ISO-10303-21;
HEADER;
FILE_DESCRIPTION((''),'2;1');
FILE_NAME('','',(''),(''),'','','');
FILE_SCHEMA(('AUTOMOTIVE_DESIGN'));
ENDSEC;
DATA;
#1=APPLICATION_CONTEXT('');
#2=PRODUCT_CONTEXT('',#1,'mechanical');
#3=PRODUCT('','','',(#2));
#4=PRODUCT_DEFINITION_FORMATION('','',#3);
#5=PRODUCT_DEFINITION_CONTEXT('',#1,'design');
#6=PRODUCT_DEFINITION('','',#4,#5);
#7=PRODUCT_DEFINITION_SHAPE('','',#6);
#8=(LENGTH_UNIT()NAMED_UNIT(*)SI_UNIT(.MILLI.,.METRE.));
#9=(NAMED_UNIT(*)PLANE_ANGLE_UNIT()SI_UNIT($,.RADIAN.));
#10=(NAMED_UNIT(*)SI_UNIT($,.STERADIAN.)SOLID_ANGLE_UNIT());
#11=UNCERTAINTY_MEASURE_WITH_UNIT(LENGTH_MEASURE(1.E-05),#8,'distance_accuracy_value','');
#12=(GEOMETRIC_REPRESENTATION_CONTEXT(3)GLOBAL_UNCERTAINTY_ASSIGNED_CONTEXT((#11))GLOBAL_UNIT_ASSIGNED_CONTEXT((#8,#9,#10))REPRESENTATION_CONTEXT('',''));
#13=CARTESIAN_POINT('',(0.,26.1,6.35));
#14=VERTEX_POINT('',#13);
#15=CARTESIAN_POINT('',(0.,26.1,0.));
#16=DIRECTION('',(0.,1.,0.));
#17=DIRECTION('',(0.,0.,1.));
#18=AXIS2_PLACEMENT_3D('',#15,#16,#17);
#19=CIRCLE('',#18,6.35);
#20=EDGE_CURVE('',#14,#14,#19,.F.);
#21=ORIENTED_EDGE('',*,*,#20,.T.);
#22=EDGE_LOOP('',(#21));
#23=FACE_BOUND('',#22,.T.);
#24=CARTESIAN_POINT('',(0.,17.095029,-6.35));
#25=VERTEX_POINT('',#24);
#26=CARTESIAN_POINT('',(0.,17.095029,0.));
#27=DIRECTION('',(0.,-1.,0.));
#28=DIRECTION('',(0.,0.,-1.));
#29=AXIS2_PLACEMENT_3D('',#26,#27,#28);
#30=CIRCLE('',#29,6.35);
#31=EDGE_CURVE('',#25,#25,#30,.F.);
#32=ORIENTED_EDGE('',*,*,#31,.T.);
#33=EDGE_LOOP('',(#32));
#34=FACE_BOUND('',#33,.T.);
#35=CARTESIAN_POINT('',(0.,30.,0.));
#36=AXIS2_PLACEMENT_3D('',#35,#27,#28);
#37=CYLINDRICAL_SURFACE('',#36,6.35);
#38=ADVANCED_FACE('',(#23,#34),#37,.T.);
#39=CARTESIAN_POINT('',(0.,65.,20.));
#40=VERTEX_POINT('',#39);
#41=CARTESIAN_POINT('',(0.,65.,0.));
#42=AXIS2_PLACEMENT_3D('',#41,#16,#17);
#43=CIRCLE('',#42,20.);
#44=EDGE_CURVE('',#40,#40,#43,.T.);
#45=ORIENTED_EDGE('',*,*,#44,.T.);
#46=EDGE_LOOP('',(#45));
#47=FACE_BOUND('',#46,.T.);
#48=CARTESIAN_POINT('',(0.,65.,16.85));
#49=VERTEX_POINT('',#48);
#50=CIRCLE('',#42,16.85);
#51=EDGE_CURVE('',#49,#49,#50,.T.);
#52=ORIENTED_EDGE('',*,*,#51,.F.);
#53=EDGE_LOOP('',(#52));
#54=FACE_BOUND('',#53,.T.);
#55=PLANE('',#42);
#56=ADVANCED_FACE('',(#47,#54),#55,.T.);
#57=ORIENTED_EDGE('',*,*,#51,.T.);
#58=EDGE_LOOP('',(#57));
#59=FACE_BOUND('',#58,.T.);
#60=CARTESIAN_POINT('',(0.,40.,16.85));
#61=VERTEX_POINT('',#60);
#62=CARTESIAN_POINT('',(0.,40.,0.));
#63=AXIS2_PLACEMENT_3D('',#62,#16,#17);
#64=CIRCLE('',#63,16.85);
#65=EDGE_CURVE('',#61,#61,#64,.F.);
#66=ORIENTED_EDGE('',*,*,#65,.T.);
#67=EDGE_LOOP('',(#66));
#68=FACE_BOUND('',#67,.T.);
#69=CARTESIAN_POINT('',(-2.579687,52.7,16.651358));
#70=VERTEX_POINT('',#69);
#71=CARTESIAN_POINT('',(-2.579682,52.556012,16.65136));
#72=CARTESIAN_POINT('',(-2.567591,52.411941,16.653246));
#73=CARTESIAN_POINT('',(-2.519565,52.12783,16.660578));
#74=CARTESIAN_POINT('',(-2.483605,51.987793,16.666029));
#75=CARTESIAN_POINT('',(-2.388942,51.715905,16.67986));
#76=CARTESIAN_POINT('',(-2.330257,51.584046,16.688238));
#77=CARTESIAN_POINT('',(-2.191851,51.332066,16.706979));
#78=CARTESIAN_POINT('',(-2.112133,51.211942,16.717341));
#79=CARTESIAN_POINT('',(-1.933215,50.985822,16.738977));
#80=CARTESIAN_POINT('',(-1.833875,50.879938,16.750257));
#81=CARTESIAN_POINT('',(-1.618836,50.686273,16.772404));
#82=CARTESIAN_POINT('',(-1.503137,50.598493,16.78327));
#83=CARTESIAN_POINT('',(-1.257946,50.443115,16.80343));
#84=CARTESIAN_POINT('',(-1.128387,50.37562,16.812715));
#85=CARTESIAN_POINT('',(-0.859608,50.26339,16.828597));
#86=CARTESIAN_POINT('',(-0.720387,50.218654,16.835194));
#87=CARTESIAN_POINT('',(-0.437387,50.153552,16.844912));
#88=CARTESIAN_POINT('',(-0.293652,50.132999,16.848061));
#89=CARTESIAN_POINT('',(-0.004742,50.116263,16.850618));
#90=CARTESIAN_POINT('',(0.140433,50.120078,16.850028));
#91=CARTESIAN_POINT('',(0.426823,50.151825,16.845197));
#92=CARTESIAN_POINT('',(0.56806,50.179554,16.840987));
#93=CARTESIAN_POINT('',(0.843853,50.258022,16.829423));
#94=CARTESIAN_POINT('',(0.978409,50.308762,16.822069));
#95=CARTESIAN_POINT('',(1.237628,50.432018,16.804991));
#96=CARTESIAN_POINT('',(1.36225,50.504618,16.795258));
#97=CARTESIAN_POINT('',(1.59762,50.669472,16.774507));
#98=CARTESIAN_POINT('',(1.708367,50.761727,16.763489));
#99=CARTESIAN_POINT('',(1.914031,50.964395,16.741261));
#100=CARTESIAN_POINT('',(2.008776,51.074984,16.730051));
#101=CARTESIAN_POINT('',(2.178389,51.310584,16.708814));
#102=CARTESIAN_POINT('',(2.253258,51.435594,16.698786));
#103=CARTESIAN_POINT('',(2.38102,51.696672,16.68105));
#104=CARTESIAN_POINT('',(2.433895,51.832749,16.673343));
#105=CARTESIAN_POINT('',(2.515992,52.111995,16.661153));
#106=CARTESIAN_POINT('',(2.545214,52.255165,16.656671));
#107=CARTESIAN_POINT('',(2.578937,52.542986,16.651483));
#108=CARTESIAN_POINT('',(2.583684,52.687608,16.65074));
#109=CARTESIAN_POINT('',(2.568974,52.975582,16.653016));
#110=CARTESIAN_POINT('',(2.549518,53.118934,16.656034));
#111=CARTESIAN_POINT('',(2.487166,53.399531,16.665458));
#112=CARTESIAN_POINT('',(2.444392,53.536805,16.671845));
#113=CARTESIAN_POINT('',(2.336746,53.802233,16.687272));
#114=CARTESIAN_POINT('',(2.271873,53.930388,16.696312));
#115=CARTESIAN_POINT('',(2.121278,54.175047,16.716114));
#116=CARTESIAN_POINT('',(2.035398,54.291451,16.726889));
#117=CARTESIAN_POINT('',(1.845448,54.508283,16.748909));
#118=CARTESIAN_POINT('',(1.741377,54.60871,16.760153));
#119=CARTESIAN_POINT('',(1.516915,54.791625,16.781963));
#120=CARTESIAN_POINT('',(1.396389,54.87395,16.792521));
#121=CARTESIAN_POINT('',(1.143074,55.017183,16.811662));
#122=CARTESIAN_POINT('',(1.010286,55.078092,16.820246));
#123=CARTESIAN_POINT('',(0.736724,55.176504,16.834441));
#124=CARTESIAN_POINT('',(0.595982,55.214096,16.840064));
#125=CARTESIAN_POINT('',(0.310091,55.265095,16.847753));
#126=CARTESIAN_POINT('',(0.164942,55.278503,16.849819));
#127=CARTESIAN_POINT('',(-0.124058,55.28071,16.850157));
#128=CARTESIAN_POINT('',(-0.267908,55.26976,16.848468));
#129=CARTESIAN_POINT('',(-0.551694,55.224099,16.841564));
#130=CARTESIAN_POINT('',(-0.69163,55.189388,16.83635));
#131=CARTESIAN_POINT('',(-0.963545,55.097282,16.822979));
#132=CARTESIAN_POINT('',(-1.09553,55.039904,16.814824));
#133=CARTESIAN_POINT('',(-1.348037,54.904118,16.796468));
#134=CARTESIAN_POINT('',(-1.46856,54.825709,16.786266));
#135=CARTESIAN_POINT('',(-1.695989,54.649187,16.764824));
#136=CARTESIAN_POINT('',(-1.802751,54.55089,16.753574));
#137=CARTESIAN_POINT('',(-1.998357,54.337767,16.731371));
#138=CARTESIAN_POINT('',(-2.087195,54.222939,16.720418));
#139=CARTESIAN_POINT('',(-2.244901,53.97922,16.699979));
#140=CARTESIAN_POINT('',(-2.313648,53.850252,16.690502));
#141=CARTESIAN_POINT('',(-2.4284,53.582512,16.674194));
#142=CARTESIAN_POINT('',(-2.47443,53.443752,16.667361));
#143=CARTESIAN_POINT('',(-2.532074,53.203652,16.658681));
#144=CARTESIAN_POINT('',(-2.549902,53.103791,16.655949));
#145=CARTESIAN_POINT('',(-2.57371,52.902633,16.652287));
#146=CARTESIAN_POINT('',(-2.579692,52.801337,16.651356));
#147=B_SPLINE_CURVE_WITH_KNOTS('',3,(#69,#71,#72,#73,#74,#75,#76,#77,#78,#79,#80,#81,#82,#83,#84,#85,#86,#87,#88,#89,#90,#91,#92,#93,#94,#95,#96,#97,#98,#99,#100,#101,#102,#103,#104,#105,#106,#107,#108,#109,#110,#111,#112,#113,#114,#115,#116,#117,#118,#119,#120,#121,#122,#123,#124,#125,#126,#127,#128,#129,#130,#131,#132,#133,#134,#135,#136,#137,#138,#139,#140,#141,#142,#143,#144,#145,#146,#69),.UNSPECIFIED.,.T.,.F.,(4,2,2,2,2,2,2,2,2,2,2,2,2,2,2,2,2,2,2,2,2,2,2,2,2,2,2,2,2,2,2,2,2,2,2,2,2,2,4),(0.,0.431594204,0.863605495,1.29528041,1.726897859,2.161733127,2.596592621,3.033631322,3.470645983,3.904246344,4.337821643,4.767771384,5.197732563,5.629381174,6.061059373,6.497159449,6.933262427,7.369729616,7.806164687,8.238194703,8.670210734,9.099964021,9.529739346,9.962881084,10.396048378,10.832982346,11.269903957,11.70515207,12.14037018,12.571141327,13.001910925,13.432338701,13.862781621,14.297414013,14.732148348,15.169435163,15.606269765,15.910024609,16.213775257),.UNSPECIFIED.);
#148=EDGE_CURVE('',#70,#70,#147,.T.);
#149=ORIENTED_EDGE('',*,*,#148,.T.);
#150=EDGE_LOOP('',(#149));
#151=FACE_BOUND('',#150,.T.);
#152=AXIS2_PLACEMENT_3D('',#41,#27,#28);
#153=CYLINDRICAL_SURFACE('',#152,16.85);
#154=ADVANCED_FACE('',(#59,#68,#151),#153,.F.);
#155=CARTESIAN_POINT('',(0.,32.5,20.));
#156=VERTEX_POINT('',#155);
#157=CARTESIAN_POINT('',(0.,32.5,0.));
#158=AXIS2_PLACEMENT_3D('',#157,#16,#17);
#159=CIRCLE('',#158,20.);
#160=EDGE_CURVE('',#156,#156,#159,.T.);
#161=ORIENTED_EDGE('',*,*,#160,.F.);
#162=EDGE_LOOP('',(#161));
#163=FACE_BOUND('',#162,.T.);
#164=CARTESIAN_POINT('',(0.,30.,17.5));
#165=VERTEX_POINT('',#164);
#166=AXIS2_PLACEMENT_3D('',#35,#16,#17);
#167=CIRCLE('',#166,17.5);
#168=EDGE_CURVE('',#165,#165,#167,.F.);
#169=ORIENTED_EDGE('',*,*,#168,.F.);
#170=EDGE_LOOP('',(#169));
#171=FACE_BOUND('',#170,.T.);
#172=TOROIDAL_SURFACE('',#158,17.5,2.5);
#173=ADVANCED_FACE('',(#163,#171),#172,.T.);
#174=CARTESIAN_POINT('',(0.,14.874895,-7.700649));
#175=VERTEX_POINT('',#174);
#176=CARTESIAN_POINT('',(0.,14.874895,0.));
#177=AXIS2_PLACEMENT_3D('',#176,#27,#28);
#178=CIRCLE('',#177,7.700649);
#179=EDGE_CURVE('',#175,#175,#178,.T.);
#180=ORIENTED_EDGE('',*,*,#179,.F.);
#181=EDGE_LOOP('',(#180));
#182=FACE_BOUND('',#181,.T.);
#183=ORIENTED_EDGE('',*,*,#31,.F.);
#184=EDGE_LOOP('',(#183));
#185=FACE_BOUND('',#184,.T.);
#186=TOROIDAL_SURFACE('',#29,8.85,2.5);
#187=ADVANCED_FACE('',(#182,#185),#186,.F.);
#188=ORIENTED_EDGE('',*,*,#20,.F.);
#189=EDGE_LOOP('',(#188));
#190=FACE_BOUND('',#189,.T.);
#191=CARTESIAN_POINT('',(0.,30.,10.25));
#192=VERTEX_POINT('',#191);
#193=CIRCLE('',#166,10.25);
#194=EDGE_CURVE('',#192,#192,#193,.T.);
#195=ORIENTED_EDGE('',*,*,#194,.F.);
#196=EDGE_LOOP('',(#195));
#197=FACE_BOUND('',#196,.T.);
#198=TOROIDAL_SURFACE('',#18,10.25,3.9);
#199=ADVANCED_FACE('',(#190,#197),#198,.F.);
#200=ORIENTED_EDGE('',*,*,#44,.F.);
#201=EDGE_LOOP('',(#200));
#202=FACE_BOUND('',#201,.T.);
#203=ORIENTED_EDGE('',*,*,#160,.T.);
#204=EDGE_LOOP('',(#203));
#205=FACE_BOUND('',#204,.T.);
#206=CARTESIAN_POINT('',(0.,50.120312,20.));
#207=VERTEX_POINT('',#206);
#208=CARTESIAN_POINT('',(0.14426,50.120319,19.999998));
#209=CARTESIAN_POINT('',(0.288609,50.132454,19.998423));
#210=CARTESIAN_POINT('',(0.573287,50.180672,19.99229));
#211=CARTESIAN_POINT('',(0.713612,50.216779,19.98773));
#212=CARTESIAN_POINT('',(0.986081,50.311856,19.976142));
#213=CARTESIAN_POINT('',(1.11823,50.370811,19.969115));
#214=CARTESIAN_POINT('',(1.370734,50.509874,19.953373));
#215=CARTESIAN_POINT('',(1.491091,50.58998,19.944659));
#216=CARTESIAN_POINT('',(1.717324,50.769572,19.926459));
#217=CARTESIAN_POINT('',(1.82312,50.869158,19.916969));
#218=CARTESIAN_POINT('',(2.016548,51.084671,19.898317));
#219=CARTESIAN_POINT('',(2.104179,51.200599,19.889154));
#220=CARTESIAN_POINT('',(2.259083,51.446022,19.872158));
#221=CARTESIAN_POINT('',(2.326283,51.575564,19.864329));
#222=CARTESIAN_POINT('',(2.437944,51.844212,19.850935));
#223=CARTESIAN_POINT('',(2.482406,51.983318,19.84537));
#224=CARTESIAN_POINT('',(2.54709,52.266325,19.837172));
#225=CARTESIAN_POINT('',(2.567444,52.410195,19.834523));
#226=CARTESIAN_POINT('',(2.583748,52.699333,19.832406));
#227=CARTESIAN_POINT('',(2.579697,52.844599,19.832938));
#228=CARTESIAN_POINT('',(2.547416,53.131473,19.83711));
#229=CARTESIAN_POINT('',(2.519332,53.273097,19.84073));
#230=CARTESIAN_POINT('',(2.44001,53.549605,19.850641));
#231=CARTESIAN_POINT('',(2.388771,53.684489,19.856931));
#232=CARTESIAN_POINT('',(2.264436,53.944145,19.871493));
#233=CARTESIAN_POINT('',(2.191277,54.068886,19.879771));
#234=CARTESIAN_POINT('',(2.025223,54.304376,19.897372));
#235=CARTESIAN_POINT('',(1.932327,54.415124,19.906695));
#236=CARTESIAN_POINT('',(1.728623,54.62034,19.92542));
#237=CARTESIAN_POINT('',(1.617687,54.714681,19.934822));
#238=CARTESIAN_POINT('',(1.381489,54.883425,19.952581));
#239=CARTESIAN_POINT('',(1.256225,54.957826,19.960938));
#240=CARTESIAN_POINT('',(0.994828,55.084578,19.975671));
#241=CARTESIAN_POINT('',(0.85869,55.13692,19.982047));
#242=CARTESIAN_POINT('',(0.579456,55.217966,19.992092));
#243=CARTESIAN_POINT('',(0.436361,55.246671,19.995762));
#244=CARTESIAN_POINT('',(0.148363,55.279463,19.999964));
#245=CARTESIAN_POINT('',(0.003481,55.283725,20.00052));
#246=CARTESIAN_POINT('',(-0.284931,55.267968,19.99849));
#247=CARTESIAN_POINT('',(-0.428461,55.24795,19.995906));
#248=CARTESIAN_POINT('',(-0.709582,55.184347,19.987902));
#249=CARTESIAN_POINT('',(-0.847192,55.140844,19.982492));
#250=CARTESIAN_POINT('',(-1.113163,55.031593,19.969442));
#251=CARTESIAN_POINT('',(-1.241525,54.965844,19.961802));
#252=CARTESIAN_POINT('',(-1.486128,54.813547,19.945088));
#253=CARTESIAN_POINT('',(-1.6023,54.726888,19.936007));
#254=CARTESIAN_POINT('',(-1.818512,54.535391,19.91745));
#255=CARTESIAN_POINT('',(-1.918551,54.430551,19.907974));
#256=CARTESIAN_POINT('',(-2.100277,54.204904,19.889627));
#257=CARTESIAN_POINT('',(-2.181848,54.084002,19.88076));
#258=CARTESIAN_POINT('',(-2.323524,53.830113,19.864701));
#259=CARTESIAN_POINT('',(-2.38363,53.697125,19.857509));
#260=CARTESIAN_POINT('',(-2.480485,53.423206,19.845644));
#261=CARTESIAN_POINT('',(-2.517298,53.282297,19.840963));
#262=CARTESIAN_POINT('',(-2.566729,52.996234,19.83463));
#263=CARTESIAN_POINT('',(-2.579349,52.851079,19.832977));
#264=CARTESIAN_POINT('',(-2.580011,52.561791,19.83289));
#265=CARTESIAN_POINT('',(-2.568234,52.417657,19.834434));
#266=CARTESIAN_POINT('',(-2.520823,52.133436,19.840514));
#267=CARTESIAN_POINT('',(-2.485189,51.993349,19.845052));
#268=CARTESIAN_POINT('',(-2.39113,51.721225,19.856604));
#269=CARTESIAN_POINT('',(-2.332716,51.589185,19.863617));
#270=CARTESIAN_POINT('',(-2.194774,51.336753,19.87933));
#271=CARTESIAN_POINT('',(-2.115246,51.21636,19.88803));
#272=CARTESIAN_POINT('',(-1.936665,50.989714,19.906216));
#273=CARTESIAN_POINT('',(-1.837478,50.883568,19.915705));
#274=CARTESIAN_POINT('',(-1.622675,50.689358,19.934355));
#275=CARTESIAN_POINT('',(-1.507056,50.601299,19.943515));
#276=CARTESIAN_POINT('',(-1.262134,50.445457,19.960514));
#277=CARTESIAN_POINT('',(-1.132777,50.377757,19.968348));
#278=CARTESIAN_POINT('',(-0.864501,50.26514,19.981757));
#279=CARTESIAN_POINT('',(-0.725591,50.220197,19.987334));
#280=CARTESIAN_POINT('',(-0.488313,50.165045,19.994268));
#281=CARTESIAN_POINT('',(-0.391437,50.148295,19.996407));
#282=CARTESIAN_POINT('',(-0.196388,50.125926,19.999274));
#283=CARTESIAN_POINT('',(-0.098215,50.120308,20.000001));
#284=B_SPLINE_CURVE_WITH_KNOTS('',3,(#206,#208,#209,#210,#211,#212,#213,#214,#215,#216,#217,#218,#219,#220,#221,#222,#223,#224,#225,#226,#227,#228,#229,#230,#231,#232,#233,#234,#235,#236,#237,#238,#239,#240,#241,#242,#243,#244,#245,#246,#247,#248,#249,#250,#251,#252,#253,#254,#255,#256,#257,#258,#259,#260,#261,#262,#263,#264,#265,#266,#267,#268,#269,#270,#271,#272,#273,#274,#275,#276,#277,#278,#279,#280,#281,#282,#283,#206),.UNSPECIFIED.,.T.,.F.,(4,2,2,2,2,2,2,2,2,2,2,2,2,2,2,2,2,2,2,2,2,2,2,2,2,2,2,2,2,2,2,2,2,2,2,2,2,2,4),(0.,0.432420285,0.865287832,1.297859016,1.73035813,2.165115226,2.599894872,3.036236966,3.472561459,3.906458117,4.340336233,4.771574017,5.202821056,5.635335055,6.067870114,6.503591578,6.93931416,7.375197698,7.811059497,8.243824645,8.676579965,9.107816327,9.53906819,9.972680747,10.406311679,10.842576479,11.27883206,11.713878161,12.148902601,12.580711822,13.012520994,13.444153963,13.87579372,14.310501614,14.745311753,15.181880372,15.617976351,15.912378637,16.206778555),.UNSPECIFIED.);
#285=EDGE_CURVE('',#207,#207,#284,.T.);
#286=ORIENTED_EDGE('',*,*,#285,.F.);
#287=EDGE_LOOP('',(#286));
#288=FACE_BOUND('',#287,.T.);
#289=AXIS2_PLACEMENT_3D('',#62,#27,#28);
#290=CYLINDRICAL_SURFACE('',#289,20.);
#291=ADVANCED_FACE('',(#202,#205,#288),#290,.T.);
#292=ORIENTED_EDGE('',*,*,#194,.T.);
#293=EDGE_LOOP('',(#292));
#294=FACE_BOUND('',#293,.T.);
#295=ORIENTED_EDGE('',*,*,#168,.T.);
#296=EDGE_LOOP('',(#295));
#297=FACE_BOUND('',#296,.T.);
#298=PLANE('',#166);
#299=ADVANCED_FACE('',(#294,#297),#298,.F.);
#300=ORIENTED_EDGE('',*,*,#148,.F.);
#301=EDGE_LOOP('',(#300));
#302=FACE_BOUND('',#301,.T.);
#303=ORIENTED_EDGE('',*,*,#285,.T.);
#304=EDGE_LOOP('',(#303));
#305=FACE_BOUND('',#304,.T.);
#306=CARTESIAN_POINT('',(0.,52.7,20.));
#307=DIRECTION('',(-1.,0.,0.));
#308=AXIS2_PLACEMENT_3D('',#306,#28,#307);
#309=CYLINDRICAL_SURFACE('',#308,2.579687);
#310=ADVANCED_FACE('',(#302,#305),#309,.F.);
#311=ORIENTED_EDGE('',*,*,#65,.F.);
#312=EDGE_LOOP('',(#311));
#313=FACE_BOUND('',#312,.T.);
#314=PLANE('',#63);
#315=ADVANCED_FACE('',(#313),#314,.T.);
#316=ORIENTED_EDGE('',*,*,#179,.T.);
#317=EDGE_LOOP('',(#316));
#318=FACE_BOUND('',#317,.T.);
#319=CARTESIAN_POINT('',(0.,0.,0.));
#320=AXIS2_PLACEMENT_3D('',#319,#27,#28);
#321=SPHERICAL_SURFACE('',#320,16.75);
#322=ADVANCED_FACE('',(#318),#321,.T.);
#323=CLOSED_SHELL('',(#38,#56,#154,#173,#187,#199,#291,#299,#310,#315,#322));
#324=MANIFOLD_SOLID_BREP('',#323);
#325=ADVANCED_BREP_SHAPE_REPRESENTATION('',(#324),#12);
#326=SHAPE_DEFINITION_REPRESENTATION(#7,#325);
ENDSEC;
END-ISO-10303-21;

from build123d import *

# Parameters (mm, degrees)
SKETCH2_R           = 6.35
BOSS_EXTRUDE1_DEPTH = 30
SKETCH3_R           = 20
BOSS_EXTRUDE3_DEPTH = 10
FILLET1_R           = 3.9
SKETCH4_R           = 20
SKETCH4_R_2         = 16.85
BOSS_EXTRUDE4_DEPTH = 25
FILLET2_R           = 2.5
FILLET3_R           = 2.5
SKETCH5_R           = 2.5796875
CUT_EXTRUDE1_DEPTH  = 71.887234394


with BuildPart() as part:
    # Sketch1 → Revolve3 (revolve)
    with BuildSketch(Plane(origin=(0, 0, 0), x_dir=(1, 0, 0), z_dir=(0, 1, 0))):
        with BuildLine():
            Line((0, 16.75), (0, -16.75))
            ThreePointArc((0, -16.75), (16.75, 0), (0, 16.75))
        make_face()
    revolve(axis=Axis((0, 0, -16.75), (0, 0, 1)))

    # Sketch2 → Boss-Extrude1 (add)
    with BuildSketch(Plane(origin=(0, 0, 0), x_dir=(1, 0, 0), z_dir=(0, 1, 0))):
        with Locations(Location((0, 0, 0), (0, 0, 90))):
            Circle(SKETCH2_R)
    extrude(amount=BOSS_EXTRUDE1_DEPTH)

    # Sketch3 → Boss-Extrude3 (add)
    with BuildSketch(Plane(origin=(0, 30, 0), x_dir=(1, 0, 0), z_dir=(0, 1, 0))):
        with Locations(Location((0, 0, 0), (0, 0, 270))):
            Circle(SKETCH3_R)
    extrude(amount=BOSS_EXTRUDE3_DEPTH)

    # Fillet1
    fillet1_edges = [part.edges().sort_by_distance(p)[0] for p in [
        (0, 30, 6.35),
    ]]
    fillet(fillet1_edges, radius=FILLET1_R)

    # Sketch4 → Boss-Extrude4 (add)
    with BuildSketch(Plane(origin=(0, 40, 0), x_dir=(1, 0, 0), z_dir=(0, 1, 0))):
        with Locations(Location((0, 0, 0), (0, 0, 270))):
            Circle(SKETCH4_R)
        with Locations(Location((0, 0, 0), (0, 0, 270))):
            Circle(SKETCH4_R_2, mode=Mode.SUBTRACT)
    extrude(amount=BOSS_EXTRUDE4_DEPTH)

    # Fillet2
    fillet2_edges = [part.edges().sort_by_distance(p)[0] for p in [
        (0, 30, -20),
    ]]
    fillet(fillet2_edges, radius=FILLET2_R)

    # Fillet3
    fillet3_edges = [part.edges().sort_by_distance(p)[0] for p in [
        (0, 15.499677416, 6.35),
    ]]
    fillet(fillet3_edges, radius=FILLET3_R)

    # Sketch5 → Cut-Extrude1 (cut, through all)
    with BuildSketch(Plane.XY):
        with Locations(Location((0, 52.7, 0), (0, 0, 90.000000055))):
            Circle(SKETCH5_R)
    extrude(amount=CUT_EXTRUDE1_DEPTH, mode=Mode.SUBTRACT)


solid = part.part
